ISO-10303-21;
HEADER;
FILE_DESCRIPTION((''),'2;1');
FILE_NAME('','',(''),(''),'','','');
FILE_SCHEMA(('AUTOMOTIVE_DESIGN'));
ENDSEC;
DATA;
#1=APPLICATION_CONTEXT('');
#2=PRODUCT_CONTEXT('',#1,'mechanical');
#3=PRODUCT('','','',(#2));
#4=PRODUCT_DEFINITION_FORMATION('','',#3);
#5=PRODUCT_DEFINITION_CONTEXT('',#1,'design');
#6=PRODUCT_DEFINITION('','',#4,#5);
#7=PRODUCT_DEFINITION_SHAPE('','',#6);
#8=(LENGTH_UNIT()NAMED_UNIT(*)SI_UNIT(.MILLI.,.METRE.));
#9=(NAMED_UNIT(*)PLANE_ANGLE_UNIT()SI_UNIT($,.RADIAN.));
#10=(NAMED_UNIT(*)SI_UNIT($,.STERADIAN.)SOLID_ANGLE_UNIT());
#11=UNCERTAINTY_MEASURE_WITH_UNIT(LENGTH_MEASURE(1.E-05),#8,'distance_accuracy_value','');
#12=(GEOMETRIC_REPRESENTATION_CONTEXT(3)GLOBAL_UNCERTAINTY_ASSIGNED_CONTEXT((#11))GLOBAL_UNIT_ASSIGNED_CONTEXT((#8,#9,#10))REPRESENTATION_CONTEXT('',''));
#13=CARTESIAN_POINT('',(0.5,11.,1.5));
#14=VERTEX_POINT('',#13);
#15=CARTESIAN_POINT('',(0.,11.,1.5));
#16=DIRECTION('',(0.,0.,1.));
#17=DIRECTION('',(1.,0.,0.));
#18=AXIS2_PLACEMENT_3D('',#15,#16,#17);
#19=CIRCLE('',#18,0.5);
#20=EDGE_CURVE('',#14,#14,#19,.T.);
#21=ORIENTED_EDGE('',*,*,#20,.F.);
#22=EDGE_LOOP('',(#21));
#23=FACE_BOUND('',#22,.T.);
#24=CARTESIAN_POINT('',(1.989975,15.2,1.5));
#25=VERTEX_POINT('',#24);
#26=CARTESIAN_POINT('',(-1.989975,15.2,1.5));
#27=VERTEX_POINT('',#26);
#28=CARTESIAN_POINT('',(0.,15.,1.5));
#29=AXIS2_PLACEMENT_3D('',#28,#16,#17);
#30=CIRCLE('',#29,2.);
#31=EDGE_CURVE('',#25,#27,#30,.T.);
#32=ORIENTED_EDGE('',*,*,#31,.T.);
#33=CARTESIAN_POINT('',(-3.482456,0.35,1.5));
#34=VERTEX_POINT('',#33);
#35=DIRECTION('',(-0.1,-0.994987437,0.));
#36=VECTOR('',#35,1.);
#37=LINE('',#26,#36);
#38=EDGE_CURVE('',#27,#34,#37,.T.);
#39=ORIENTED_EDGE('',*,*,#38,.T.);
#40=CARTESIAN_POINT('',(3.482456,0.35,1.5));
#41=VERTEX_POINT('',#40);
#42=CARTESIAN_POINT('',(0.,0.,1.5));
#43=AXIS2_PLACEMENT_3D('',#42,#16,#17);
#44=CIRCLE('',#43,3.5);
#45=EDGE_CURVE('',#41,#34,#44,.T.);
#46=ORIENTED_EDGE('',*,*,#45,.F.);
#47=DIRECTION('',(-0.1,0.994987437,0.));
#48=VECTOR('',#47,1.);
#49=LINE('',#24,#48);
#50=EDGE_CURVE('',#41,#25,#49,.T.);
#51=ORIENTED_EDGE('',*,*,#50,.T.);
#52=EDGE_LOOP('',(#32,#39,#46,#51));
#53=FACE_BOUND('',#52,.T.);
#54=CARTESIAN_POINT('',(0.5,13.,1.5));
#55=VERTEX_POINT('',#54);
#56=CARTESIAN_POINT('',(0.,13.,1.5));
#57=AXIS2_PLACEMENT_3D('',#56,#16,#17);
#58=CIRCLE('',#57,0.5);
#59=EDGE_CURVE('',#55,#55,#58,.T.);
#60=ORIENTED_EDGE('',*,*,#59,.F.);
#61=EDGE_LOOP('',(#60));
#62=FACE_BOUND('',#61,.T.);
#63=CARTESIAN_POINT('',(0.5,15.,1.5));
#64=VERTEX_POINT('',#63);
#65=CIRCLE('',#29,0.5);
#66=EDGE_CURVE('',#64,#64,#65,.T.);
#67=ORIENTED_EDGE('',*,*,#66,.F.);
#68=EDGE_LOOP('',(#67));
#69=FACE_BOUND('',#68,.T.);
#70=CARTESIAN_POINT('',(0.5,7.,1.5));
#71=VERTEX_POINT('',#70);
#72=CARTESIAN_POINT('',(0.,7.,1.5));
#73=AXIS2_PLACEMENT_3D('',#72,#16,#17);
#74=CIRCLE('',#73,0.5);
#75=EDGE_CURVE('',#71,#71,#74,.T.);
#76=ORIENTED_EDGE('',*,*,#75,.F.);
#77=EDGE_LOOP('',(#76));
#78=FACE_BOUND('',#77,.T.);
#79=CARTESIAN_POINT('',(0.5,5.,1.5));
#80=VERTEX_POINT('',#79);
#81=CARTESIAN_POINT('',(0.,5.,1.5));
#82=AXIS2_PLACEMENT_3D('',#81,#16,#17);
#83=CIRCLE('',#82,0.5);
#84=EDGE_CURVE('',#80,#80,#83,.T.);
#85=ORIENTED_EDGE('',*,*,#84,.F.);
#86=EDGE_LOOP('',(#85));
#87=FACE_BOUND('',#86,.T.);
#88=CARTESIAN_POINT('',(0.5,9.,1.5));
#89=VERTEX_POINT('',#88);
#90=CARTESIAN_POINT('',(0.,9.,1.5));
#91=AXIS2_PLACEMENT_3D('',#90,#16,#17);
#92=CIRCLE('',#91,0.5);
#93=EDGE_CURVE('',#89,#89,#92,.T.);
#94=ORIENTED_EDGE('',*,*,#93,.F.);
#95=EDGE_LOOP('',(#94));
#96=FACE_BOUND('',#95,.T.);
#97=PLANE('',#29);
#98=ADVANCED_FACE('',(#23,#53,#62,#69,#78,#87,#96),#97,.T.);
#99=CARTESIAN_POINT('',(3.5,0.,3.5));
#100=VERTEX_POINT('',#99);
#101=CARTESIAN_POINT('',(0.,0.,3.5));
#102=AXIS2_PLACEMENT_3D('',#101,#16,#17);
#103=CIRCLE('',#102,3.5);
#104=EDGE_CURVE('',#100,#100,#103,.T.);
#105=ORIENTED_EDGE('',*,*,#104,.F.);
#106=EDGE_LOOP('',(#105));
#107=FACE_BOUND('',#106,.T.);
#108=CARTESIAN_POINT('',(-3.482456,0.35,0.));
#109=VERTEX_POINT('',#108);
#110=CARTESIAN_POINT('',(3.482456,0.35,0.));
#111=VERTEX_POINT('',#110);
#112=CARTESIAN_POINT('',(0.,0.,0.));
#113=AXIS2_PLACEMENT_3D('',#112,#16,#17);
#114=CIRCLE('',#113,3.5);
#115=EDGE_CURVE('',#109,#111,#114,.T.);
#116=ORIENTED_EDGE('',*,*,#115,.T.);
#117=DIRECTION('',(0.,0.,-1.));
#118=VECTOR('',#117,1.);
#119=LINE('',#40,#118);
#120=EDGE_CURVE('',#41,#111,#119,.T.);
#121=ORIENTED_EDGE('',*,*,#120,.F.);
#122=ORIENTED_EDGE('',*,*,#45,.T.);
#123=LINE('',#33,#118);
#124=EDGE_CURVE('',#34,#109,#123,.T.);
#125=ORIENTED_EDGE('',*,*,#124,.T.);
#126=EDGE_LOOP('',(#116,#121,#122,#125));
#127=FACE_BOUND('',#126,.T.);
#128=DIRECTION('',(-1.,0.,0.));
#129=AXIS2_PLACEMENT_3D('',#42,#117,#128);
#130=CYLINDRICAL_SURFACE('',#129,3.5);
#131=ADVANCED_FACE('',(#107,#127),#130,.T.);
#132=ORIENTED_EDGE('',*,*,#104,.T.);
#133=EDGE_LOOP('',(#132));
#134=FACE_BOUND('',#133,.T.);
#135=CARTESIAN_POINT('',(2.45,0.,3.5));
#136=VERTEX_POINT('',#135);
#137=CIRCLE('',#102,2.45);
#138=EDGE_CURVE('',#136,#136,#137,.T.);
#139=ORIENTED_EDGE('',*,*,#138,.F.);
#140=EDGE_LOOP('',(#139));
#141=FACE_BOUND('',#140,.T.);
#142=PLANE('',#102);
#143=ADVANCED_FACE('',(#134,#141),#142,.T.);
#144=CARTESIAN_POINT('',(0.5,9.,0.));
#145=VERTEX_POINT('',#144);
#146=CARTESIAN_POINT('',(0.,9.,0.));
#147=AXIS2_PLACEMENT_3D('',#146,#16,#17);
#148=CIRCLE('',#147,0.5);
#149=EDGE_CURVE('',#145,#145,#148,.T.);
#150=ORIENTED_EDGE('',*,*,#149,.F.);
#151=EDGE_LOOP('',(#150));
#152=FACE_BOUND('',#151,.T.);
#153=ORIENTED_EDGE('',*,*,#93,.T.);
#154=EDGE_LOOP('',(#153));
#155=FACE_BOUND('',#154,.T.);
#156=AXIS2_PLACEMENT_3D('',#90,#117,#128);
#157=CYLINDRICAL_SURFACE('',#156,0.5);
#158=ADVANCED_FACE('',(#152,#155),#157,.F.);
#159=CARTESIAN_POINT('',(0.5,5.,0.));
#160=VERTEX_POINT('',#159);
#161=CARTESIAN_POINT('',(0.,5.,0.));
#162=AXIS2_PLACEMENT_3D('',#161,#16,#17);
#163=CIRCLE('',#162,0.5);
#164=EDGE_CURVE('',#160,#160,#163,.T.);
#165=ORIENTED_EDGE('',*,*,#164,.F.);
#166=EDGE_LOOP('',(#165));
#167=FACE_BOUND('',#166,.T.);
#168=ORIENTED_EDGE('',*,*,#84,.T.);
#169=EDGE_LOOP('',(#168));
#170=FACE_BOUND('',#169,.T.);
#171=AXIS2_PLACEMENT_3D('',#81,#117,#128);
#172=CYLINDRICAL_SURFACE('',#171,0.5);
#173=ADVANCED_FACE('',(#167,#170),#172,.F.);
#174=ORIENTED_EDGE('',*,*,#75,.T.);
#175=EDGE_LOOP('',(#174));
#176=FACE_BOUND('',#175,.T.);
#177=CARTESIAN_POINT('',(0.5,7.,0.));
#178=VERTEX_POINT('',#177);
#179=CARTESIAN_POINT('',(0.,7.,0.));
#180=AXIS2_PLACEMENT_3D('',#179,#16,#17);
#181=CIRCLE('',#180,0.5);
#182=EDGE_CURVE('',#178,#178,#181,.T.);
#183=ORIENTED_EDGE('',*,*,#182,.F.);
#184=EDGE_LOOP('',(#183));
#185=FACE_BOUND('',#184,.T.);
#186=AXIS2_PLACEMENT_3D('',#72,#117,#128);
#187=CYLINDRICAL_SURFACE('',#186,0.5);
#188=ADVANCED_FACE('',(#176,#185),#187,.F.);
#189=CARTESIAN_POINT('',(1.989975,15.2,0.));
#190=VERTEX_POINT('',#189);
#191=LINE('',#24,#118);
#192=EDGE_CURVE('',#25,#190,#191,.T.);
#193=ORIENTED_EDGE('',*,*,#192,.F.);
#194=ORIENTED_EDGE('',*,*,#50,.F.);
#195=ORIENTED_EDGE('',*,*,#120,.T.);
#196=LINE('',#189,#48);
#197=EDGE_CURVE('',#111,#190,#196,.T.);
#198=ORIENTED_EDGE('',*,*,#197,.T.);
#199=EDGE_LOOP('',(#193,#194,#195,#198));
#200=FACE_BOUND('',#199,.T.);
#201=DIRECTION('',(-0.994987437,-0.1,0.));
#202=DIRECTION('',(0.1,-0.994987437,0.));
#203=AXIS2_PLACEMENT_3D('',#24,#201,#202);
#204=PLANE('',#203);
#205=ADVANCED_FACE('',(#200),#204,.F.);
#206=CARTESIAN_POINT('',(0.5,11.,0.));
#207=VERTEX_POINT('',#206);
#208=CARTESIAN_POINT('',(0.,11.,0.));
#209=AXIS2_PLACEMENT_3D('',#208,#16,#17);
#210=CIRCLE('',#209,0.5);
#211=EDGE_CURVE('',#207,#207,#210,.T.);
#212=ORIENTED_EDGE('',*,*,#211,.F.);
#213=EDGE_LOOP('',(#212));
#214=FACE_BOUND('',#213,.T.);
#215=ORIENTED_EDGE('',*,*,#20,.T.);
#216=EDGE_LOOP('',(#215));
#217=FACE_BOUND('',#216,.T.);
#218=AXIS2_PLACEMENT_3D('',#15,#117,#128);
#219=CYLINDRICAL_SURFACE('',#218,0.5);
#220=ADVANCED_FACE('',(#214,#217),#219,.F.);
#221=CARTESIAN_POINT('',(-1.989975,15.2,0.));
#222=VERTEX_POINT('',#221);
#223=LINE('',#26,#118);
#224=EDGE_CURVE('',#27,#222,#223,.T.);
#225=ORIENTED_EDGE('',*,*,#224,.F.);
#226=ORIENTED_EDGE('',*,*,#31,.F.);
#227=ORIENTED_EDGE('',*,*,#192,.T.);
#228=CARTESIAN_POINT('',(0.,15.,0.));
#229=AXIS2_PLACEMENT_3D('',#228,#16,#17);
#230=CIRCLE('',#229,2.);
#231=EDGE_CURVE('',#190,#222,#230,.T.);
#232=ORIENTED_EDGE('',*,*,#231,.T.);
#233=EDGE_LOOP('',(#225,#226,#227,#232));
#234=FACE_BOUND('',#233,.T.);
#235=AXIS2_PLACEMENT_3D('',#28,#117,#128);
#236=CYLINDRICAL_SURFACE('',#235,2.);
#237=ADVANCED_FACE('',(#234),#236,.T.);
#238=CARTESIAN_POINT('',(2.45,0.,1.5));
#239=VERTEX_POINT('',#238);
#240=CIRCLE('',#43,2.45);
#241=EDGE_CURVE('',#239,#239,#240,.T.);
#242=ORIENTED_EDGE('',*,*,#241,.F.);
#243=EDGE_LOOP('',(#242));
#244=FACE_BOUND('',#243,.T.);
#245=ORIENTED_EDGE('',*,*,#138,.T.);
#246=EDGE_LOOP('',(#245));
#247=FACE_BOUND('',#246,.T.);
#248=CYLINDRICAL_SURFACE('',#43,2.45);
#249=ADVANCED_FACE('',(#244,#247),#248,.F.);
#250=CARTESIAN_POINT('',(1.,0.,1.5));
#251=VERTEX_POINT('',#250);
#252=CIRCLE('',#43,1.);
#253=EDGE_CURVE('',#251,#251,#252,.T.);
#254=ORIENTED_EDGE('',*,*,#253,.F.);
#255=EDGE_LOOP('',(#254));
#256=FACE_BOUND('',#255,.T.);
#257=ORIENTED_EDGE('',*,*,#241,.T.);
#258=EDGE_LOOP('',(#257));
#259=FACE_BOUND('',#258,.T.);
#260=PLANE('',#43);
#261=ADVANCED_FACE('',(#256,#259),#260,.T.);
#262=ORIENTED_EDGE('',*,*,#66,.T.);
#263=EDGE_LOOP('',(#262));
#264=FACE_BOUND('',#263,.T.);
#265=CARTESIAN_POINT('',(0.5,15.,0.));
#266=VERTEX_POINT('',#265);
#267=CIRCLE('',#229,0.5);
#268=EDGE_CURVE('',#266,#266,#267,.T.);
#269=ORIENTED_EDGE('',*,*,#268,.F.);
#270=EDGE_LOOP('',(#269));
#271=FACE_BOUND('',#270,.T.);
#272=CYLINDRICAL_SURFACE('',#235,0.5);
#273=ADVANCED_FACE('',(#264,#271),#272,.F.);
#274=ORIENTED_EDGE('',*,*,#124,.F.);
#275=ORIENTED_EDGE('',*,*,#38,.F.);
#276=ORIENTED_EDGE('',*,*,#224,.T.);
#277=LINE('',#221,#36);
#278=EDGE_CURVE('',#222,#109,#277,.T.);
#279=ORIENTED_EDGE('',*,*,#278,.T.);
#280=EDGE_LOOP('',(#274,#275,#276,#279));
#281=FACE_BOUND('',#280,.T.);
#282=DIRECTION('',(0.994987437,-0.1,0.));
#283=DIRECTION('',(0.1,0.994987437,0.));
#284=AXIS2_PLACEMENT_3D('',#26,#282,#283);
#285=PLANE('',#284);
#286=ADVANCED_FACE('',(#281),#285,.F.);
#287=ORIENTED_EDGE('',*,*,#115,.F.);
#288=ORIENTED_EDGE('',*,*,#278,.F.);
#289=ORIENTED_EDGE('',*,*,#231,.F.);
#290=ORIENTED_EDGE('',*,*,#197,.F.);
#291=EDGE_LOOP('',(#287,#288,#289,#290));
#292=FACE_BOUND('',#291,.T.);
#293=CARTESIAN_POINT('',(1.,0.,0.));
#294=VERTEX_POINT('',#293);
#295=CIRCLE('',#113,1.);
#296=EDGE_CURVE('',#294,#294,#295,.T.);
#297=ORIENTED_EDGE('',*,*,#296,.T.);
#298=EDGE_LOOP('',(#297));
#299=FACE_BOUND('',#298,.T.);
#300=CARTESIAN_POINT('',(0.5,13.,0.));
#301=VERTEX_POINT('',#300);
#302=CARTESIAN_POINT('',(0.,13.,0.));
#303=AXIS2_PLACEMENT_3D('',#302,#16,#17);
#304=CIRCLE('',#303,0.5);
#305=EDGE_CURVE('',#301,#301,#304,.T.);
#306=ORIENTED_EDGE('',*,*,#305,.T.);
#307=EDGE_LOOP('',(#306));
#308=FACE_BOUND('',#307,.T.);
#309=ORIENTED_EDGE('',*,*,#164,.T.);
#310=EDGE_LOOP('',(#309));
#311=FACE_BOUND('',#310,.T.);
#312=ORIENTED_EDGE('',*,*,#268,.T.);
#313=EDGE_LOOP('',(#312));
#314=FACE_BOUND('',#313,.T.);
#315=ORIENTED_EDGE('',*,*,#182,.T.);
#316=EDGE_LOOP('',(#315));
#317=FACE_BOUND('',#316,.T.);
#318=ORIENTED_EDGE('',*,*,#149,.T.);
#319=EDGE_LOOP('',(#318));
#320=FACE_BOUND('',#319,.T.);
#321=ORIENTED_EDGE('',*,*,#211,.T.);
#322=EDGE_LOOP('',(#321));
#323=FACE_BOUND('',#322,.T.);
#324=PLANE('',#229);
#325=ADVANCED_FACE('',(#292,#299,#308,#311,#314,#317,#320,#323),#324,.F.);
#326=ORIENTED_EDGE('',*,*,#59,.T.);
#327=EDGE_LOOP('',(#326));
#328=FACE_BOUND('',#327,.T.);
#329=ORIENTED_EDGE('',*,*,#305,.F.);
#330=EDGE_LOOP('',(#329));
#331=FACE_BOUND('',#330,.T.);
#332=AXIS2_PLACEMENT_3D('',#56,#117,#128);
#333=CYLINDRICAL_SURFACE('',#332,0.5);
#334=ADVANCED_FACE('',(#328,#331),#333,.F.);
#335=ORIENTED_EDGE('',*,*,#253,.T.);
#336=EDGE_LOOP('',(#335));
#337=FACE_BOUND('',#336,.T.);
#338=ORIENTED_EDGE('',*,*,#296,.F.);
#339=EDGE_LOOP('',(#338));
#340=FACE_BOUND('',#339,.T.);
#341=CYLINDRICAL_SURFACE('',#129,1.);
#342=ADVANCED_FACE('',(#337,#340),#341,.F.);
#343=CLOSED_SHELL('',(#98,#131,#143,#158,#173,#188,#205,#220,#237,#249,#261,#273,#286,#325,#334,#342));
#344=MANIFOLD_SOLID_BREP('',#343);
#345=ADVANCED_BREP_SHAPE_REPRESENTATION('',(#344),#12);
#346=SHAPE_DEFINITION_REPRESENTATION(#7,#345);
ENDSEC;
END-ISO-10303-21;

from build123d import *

# Parameters (mm, degrees)
ESQUISSE1_R             = 1
ESQUISSE1_R_2           = 0.5
BOSS_EXTRU_1_DEPTH      = 1.5
ESQUISSE3_R             = 3.5
ESQUISSE3_R_2           = 1
BOSS_EXTRU_2_DEPTH      = 2
ESQUISSE4_R             = 2.45
ENL_V_MAT_EXTRU_1_DEPTH = 2


with BuildPart() as part:
    # Esquisse1 → Boss.-Extru.1 (new body)
    with BuildSketch(Plane.XY):
        with BuildLine():
            Line((-1.989974874, 15.2), (-3.48245603, 0.35))
            ThreePointArc((-3.48245603, 0.35), (0, -3.5), (3.48245603, 0.35))
            Line((3.48245603, 0.35), (1.989974874, 15.2))
            ThreePointArc((1.989974874, 15.2), (0, 17), (-1.989974874, 15.2))
        make_face()
        Circle(ESQUISSE1_R, mode=Mode.SUBTRACT)
        with Locations((0, 15)):
            Circle(ESQUISSE1_R_2, mode=Mode.SUBTRACT)
        with Locations((0, 13)):
            Circle(ESQUISSE1_R_2, mode=Mode.SUBTRACT)
        with Locations((0, 11)):
            Circle(ESQUISSE1_R_2, mode=Mode.SUBTRACT)
        with Locations((0, 9)):
            Circle(ESQUISSE1_R_2, mode=Mode.SUBTRACT)
        with Locations((0, 7)):
            Circle(ESQUISSE1_R_2, mode=Mode.SUBTRACT)
        with Locations((0, 5)):
            Circle(ESQUISSE1_R_2, mode=Mode.SUBTRACT)
    extrude(amount=BOSS_EXTRU_1_DEPTH)

    # Esquisse3 → Boss.-Extru.2 (add)
    with BuildSketch(Plane.XY.offset(1.5)):
        Circle(ESQUISSE3_R)
        Circle(ESQUISSE3_R_2, mode=Mode.SUBTRACT)
    extrude(amount=BOSS_EXTRU_2_DEPTH)

    # Esquisse4 → Enlèv. mat.-Extru.1 (cut)
    with BuildSketch(Plane.XY.offset(3.5)):
        Circle(ESQUISSE4_R)
    extrude(amount=-ENL_V_MAT_EXTRU_1_DEPTH, mode=Mode.SUBTRACT)


solid = part.part
